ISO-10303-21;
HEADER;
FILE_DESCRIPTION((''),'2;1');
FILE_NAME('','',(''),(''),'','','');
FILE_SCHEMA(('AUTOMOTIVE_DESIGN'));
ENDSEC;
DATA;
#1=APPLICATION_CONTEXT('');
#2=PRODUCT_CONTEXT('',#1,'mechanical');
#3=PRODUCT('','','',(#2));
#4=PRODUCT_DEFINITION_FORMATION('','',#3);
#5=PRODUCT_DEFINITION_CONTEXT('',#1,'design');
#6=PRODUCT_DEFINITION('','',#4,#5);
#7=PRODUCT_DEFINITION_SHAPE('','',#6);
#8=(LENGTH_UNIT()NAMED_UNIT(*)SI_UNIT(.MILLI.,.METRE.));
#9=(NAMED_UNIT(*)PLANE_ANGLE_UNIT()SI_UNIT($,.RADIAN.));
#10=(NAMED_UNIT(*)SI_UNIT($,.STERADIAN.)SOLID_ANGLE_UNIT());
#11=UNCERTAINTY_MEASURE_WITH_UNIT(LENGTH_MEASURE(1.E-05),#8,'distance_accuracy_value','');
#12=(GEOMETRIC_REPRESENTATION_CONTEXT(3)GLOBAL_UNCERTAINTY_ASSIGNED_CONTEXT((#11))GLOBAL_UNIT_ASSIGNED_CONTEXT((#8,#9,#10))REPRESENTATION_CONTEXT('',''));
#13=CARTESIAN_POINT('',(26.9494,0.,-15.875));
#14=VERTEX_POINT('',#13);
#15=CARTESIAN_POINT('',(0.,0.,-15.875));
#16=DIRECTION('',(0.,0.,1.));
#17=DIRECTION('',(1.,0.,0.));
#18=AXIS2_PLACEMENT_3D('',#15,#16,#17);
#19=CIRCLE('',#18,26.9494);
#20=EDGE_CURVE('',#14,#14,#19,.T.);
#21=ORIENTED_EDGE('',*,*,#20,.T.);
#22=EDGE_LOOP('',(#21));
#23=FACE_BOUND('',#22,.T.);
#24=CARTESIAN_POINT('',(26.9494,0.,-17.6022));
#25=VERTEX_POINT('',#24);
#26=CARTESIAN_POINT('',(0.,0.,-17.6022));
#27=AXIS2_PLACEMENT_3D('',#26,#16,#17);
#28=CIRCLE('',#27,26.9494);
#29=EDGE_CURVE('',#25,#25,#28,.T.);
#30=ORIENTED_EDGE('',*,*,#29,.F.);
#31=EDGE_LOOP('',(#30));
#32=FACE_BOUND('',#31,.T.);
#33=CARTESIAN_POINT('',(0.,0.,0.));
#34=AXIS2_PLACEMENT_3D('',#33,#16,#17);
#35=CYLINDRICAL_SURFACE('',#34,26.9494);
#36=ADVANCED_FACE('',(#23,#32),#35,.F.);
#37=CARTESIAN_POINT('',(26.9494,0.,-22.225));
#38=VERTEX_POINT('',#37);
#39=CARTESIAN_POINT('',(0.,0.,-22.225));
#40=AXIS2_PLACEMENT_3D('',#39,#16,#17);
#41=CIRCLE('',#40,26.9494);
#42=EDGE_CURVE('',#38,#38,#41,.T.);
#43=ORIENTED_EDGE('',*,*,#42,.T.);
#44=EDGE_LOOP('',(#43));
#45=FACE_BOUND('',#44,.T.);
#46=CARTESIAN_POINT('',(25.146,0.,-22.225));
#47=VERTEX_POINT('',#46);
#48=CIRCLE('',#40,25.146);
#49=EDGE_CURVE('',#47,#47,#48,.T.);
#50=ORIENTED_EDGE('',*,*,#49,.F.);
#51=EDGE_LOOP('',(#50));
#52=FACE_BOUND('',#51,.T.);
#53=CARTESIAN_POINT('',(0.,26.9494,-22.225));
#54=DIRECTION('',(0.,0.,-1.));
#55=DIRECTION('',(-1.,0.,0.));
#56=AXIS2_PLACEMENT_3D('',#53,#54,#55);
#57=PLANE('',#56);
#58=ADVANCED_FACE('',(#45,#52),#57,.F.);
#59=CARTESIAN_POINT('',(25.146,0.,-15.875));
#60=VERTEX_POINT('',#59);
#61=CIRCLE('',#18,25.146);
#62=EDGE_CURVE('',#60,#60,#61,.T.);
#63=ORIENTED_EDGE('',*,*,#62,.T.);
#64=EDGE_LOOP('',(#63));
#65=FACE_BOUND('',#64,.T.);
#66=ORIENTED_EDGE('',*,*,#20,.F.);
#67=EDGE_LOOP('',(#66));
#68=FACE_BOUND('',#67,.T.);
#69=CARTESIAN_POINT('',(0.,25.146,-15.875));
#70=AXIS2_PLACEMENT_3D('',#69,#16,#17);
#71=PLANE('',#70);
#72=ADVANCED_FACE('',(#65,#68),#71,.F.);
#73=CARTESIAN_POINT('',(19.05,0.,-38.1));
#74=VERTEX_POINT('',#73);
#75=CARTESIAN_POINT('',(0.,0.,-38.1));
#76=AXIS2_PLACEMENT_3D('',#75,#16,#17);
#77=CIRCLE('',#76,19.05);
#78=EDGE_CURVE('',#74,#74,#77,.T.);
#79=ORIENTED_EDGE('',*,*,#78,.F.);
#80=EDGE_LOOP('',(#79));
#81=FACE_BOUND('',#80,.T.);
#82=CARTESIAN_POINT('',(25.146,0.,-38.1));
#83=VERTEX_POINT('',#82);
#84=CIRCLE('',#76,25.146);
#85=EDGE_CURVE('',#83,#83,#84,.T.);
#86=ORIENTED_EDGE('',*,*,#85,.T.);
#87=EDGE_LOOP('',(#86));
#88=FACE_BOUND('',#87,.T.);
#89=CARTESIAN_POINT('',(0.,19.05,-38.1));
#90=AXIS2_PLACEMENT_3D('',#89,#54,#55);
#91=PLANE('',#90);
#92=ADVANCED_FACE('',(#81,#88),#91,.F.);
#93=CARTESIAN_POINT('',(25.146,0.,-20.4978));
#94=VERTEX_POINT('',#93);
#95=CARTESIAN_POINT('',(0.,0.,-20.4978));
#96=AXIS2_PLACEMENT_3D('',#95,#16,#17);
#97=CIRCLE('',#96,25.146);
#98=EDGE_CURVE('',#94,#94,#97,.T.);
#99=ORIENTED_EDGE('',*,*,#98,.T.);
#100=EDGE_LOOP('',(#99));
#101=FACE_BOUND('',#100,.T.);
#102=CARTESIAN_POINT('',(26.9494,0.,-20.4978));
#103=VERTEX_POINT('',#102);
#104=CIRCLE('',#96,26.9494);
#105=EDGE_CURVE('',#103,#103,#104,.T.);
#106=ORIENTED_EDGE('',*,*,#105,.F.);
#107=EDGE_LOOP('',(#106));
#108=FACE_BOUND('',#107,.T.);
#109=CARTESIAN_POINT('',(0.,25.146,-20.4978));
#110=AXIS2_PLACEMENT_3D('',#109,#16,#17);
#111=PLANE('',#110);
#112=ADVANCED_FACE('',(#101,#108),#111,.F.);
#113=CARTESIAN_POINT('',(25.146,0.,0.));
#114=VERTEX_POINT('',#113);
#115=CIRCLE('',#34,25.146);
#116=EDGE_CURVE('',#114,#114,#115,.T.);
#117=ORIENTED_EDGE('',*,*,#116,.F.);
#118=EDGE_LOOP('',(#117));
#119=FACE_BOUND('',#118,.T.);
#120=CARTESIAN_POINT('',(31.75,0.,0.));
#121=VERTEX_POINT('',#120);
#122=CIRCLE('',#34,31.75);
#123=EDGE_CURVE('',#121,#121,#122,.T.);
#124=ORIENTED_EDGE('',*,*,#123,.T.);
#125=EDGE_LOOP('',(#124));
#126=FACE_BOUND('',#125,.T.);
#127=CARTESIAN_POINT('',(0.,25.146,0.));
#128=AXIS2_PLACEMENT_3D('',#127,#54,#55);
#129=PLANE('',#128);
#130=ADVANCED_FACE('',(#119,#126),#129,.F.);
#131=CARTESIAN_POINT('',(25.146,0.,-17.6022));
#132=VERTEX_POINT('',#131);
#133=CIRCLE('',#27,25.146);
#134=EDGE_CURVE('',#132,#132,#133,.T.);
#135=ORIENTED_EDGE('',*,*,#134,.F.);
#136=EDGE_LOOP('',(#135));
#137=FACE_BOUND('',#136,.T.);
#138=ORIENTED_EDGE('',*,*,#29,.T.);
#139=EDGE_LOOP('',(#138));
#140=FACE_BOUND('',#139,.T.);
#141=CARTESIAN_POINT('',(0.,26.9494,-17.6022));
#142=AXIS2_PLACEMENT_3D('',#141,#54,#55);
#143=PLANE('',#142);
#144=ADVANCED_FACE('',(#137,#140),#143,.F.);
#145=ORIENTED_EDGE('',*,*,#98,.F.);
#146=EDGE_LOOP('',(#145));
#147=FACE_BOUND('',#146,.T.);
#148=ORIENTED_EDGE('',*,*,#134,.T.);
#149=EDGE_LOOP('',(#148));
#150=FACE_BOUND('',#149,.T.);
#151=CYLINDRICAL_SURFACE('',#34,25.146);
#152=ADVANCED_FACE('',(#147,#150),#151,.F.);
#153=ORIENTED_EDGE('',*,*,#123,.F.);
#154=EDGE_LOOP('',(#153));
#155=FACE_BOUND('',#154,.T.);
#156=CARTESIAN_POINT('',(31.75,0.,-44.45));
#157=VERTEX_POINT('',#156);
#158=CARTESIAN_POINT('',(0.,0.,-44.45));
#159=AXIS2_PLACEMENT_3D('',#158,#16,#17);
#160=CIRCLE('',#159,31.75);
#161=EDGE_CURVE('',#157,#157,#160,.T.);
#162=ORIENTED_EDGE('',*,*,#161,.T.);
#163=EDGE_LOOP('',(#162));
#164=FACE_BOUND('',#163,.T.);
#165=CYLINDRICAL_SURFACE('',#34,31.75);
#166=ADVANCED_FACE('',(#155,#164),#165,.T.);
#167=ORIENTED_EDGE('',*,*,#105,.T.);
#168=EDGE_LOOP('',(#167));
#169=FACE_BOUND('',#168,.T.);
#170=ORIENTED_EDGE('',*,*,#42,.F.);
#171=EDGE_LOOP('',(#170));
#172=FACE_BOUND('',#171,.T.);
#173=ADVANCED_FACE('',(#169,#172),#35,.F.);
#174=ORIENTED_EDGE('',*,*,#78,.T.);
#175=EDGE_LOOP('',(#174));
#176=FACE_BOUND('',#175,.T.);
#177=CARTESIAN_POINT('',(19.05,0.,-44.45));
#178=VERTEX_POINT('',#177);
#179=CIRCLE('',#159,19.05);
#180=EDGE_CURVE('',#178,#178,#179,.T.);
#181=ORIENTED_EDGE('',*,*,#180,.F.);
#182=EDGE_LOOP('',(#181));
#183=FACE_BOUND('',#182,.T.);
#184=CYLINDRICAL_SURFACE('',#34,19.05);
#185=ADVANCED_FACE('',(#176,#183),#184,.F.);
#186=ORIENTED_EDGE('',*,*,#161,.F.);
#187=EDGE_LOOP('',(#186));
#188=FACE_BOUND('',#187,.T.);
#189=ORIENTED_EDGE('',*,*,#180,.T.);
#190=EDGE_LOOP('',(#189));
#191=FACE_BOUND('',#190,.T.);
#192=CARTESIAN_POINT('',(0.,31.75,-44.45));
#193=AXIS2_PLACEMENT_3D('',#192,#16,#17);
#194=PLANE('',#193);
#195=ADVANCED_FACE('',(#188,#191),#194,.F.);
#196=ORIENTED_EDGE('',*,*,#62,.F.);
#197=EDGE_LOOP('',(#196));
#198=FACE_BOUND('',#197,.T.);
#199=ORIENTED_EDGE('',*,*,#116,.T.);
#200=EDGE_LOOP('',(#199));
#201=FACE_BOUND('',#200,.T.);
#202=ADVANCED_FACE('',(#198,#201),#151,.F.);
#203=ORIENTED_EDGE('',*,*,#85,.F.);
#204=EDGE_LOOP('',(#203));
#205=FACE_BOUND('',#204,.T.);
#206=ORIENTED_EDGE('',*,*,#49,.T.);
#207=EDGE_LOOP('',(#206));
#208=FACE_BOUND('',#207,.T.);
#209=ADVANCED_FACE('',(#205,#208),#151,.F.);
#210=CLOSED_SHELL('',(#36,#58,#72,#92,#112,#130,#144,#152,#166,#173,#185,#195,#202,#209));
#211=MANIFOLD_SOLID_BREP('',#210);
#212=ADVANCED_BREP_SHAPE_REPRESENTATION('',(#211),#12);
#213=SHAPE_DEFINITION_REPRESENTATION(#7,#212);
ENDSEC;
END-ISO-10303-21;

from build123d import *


with BuildPart() as part:
    # Sketch2 → Revolve1 (revolve)
    with BuildSketch(Plane(origin=(0, 0, 0), x_dir=(0, 0, -1), z_dir=(1, 0, 0)), mode=Mode.PRIVATE) as revolve1_sk:
        Polygon((0, 25.146), (0, 31.75), (44.45, 31.75), (44.45, 19.05), (38.1, 19.05), (38.1, 25.146), (22.225, 25.146), (22.225, 26.9494), (20.4978, 26.9494), (20.4978, 25.146), (17.6022, 25.146), (17.6022, 26.9494), (15.875, 26.9494), (15.875, 25.146), align=None)
    revolve(revolve1_sk.sketch.rotate(Axis((0, 0, 0), (0, 0, -1)), 90), axis=Axis((0, 0, 0), (0, 0, -1)))


solid = part.part
